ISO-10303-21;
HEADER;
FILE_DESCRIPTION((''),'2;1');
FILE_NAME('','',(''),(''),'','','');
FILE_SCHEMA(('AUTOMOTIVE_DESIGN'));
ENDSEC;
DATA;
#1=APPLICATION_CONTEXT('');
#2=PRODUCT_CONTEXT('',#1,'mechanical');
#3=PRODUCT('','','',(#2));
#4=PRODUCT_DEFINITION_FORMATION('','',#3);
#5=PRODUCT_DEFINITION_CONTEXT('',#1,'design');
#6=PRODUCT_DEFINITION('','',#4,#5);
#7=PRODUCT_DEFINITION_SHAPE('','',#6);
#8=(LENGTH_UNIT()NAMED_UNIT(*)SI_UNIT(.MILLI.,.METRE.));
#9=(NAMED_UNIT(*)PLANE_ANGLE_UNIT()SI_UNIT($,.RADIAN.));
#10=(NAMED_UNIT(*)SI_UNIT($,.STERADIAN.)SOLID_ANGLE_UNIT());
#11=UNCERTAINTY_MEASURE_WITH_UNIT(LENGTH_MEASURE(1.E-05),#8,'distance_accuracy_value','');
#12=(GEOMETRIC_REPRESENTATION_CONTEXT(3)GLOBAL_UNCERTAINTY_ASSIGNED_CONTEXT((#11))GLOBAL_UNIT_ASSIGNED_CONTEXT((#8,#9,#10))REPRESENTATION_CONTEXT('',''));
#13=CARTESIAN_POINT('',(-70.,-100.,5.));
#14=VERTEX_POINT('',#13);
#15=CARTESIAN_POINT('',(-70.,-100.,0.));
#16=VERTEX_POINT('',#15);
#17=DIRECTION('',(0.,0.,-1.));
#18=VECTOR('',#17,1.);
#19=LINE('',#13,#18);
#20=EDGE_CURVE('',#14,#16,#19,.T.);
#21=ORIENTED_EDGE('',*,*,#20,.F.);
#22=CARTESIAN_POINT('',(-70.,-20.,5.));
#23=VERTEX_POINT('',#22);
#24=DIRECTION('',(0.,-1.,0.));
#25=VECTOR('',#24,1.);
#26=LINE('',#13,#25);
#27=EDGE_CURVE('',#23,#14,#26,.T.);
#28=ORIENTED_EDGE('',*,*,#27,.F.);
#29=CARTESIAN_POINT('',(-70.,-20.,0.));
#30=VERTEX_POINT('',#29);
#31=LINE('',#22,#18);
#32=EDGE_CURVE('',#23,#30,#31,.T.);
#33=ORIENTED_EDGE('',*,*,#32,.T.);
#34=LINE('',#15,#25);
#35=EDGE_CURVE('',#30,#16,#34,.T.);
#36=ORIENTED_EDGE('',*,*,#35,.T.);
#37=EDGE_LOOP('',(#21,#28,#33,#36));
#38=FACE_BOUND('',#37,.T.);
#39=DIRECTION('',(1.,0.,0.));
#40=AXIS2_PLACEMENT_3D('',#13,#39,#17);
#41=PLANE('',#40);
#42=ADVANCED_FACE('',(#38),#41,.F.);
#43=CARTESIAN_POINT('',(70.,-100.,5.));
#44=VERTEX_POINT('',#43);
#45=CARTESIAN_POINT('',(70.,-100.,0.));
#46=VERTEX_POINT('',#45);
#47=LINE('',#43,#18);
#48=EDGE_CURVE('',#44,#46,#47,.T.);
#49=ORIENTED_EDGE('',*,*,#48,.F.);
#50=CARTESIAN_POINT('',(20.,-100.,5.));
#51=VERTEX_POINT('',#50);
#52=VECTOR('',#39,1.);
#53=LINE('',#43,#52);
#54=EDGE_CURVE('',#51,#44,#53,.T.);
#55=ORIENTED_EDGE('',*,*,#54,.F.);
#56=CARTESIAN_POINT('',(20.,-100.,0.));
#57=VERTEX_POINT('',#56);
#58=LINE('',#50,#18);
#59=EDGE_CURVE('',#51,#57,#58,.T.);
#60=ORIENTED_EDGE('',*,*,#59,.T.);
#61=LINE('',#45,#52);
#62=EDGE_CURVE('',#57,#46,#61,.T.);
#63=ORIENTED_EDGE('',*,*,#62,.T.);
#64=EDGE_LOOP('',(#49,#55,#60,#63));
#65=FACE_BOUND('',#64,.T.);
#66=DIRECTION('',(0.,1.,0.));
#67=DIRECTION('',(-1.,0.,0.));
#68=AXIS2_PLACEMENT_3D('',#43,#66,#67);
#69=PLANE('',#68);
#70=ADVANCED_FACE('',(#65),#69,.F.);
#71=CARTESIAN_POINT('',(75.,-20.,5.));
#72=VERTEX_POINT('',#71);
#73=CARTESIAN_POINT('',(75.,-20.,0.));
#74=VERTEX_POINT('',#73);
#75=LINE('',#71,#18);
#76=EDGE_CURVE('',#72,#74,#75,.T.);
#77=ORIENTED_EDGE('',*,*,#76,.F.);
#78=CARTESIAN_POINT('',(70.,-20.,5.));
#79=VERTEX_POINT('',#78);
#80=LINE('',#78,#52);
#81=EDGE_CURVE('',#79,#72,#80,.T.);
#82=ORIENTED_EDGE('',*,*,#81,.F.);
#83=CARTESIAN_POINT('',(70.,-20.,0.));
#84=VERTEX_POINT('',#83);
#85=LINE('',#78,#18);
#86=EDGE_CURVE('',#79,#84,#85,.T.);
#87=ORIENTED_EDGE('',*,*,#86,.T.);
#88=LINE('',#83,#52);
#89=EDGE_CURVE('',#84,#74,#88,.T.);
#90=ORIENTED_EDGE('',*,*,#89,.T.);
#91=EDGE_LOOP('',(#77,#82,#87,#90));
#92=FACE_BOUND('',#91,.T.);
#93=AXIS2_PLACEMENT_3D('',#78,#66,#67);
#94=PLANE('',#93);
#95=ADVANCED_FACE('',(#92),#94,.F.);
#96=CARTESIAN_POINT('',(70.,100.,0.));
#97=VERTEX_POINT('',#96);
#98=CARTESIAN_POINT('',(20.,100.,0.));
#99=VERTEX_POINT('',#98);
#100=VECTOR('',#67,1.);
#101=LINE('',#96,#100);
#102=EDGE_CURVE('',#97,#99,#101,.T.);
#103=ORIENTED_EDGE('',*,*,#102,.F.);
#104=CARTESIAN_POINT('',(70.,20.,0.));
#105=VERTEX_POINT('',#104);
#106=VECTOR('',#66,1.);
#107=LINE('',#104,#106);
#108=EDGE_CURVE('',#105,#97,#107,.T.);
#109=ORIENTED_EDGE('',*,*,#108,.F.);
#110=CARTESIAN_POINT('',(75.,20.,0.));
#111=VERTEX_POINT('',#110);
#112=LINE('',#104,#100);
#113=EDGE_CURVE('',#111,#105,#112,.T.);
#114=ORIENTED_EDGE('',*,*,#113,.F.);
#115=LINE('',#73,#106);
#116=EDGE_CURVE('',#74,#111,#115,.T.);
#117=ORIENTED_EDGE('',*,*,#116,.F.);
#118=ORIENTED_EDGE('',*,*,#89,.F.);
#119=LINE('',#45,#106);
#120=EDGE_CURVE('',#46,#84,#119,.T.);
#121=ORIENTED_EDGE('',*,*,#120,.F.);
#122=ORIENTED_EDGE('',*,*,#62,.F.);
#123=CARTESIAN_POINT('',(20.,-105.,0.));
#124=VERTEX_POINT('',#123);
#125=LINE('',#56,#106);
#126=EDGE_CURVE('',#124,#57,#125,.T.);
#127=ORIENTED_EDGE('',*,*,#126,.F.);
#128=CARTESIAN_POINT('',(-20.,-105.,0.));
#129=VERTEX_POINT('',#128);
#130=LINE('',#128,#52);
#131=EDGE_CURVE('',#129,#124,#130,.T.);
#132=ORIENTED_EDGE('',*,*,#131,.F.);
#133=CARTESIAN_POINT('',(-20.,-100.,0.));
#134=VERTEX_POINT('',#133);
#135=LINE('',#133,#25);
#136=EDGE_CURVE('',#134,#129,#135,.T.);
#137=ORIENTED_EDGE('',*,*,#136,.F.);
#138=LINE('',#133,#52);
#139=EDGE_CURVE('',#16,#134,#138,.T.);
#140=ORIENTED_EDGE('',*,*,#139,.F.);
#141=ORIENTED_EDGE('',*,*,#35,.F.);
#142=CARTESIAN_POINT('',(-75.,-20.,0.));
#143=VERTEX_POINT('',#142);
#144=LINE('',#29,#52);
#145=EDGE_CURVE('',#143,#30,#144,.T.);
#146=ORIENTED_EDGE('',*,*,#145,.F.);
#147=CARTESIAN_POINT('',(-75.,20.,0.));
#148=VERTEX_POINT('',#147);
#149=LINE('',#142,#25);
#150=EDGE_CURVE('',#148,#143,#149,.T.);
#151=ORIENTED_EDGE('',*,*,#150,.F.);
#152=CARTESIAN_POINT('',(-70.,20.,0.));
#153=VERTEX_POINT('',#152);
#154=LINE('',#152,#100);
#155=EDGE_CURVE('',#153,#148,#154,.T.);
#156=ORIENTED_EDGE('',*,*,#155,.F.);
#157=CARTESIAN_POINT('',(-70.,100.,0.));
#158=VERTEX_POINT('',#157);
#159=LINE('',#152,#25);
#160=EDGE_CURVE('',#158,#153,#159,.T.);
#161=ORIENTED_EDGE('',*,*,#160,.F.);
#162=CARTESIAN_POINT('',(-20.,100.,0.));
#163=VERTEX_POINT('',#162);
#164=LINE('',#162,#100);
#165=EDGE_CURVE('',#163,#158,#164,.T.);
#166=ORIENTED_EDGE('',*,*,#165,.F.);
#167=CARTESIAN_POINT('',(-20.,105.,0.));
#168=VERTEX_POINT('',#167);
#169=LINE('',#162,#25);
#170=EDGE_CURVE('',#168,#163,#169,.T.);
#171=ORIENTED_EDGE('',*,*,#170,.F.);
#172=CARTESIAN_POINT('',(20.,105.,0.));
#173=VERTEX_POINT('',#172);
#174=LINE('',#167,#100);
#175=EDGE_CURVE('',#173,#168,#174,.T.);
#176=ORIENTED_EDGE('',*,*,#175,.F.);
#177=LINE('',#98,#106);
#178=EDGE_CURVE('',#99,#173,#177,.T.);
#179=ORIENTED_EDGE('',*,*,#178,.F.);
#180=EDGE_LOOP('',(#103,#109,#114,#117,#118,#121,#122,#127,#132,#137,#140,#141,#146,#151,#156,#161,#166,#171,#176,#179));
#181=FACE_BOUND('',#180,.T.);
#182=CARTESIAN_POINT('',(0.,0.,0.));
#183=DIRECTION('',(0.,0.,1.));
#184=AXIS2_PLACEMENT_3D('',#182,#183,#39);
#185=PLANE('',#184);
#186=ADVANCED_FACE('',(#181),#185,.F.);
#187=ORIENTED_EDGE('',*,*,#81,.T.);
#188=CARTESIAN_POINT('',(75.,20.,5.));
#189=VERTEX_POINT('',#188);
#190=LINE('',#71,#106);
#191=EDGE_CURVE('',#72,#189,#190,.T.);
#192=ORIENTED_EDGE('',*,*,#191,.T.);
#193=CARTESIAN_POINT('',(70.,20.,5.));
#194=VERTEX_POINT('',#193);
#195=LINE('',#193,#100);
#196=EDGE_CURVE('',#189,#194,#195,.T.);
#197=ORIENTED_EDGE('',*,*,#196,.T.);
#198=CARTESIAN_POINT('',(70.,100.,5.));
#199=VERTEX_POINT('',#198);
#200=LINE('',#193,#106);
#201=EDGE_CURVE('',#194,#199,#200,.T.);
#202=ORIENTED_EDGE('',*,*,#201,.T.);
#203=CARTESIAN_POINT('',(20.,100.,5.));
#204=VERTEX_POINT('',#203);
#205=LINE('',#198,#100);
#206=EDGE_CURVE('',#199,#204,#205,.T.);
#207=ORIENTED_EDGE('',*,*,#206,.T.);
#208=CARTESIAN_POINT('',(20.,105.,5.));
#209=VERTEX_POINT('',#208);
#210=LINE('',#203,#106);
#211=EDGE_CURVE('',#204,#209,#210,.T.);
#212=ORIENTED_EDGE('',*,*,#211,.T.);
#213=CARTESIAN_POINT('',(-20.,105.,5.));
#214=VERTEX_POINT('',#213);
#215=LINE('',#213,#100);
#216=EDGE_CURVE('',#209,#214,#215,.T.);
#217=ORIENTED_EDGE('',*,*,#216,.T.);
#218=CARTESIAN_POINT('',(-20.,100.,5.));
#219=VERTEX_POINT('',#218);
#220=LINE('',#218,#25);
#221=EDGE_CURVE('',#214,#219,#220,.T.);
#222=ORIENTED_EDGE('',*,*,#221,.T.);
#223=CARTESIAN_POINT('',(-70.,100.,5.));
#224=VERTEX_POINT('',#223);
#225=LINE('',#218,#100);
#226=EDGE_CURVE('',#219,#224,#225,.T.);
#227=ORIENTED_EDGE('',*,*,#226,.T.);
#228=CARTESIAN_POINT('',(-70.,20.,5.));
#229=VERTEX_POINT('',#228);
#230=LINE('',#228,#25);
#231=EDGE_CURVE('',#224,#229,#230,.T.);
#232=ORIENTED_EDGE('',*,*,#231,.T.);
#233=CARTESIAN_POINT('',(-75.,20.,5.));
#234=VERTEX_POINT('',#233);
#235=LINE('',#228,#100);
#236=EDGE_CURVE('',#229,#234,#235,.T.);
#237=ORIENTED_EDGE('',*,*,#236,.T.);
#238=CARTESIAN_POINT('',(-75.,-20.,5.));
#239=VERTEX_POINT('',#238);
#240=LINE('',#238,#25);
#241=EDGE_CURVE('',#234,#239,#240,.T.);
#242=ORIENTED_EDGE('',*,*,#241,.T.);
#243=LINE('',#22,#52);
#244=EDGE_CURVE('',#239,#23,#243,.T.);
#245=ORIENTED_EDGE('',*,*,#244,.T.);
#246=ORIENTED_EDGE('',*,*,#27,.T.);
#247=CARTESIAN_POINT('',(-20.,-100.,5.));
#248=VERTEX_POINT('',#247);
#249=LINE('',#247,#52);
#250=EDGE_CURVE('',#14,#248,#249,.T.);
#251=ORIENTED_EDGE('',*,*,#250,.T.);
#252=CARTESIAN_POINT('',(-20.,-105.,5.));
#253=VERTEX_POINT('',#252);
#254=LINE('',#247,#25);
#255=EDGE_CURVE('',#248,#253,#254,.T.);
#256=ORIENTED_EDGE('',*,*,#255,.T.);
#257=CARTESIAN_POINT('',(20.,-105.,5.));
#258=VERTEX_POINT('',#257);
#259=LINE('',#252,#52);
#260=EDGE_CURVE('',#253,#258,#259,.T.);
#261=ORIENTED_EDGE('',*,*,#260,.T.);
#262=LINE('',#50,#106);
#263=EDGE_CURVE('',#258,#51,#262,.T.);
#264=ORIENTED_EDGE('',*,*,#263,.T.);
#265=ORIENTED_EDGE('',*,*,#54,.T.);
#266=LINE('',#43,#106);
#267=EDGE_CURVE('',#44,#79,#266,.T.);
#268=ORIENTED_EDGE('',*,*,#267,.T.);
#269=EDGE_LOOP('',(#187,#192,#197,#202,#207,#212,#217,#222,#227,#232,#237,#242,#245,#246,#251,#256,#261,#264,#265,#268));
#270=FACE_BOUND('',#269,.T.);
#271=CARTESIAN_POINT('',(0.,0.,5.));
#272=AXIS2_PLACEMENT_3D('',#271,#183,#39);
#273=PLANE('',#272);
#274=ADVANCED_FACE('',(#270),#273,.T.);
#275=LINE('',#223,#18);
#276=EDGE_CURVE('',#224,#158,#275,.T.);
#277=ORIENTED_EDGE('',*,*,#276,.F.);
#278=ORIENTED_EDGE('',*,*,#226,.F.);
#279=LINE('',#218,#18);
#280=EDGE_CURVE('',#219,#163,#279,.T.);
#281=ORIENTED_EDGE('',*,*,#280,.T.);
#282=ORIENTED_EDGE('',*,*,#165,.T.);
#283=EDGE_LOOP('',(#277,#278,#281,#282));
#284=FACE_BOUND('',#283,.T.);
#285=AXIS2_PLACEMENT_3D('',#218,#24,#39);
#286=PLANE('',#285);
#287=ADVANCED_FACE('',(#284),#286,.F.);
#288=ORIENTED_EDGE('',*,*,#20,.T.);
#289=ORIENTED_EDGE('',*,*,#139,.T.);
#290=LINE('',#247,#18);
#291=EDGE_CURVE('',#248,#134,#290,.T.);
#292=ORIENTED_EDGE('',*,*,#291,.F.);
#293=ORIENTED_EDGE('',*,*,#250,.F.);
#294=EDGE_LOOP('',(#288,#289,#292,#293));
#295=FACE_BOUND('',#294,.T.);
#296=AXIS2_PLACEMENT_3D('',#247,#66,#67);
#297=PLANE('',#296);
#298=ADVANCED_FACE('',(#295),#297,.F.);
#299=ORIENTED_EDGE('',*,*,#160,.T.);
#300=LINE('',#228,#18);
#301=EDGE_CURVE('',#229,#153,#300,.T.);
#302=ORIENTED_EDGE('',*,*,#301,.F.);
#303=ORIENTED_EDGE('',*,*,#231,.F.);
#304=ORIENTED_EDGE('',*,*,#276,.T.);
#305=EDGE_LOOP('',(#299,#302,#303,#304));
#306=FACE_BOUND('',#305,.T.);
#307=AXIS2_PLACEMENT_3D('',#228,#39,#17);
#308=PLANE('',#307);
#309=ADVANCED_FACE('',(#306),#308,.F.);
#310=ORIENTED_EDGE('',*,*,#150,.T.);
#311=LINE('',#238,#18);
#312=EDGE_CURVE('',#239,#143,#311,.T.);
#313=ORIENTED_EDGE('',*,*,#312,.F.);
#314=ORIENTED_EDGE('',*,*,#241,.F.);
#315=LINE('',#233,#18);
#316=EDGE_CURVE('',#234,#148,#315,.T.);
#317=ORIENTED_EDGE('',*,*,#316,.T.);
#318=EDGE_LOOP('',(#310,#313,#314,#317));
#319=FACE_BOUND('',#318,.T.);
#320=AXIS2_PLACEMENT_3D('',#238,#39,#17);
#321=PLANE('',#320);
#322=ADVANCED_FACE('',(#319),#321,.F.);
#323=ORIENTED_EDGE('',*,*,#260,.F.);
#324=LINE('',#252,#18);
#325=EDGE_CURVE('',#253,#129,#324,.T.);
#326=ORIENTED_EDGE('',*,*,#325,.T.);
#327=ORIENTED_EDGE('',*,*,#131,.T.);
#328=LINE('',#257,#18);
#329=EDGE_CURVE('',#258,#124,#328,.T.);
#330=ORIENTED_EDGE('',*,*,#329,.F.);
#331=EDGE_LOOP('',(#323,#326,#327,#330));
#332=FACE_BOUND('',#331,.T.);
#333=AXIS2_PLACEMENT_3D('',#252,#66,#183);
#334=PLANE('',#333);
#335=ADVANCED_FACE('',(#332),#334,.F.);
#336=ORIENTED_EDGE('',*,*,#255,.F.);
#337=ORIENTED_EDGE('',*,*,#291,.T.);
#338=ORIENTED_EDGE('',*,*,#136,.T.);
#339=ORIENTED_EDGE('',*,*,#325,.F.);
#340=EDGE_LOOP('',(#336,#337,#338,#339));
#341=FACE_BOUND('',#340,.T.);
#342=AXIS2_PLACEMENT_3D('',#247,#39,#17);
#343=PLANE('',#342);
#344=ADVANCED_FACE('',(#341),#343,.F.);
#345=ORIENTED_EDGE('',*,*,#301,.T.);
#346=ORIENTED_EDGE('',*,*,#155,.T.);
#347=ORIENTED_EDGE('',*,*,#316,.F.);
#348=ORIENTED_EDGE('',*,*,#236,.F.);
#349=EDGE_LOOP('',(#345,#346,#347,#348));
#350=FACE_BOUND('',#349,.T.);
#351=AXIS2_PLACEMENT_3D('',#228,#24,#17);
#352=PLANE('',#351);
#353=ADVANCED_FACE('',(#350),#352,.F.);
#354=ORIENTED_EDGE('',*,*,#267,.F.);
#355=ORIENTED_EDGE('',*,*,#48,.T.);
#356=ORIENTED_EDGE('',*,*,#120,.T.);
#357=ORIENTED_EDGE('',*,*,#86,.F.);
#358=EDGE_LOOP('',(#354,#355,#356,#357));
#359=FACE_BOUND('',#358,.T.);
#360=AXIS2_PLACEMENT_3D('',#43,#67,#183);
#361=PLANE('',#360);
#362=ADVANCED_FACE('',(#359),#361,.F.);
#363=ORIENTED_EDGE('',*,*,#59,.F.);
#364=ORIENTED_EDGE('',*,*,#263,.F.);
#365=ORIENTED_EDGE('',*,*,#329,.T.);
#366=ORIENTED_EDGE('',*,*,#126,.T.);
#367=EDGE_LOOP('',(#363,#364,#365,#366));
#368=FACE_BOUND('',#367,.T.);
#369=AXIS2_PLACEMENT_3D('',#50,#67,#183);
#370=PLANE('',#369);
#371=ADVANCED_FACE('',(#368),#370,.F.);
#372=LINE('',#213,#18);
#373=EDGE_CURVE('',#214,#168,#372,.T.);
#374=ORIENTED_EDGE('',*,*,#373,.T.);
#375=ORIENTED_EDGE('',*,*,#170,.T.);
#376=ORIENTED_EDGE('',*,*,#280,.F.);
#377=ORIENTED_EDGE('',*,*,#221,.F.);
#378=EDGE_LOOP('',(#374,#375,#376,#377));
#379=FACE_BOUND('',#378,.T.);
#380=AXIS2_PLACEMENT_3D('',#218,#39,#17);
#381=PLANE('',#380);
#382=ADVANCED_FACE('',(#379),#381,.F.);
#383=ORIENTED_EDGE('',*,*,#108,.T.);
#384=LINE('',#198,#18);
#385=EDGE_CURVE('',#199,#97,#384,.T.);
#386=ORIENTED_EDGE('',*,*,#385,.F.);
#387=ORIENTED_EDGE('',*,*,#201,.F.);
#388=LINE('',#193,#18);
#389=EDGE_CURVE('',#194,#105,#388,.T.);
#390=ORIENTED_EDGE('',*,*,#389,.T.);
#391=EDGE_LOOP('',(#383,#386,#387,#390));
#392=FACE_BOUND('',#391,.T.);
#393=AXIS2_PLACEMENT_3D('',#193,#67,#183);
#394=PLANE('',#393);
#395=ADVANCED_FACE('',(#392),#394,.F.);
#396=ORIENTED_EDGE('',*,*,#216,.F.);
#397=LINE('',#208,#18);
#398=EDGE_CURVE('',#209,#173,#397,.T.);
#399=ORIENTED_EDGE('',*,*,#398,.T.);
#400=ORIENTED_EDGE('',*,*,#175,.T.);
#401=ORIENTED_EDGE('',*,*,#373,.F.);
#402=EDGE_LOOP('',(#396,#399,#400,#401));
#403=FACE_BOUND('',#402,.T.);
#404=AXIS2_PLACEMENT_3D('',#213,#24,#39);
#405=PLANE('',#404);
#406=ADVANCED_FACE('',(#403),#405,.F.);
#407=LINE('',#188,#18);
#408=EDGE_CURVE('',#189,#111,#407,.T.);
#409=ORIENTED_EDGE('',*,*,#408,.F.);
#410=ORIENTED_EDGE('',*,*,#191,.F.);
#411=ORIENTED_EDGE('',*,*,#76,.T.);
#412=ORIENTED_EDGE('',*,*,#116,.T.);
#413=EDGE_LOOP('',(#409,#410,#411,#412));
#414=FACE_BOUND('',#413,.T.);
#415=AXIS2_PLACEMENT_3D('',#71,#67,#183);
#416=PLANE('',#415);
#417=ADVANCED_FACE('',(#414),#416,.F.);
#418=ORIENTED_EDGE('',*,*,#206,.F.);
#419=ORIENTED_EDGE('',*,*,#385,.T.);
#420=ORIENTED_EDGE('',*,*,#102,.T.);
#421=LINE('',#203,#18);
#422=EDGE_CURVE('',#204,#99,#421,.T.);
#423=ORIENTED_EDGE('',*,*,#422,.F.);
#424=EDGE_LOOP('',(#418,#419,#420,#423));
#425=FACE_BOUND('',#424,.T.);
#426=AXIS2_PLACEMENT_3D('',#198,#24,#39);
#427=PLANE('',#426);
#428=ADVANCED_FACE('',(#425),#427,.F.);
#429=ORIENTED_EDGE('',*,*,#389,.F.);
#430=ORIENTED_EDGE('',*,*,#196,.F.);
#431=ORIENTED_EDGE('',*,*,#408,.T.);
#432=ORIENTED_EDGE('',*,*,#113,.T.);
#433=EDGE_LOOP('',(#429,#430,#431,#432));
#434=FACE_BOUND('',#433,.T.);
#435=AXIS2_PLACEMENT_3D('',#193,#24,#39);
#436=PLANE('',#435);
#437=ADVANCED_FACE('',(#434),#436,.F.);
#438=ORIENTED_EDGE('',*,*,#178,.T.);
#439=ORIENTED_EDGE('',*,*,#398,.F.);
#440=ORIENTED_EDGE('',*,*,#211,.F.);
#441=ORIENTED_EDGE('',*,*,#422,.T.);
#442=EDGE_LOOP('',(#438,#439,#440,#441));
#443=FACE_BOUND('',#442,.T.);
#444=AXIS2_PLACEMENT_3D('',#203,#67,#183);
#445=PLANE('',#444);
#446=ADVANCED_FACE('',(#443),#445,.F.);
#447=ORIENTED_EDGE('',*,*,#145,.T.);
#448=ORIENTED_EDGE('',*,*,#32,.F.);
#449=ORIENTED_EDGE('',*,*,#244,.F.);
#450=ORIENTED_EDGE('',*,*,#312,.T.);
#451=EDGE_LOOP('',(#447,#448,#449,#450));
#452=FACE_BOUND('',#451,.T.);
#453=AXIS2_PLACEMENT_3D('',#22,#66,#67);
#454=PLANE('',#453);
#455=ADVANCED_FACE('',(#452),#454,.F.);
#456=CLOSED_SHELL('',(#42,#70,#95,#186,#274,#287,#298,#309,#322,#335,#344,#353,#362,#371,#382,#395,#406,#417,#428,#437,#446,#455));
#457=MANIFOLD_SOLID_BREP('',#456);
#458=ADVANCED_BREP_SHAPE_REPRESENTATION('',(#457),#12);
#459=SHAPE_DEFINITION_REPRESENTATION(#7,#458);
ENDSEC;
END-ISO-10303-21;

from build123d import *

# Parameters (mm, degrees)
SALIENTE_EXTRUIR1_DEPTH = 5


with BuildPart() as part:
    # Croquis1 → Saliente-Extruir1 (new body)
    with BuildSketch(Plane.XY):
        Polygon((-20, 100), (-70, 100), (-70, 20), (-75, 20), (-75, -20), (-70, -20), (-70, -100), (-20, -100), (-20, -105), (20, -105), (20, -100), (70, -100), (70, -20), (75, -20), (75, 20), (70, 20), (70, 100), (20, 100), (20, 105), (-20, 105), align=None)
    extrude(amount=SALIENTE_EXTRUIR1_DEPTH)


solid = part.part
